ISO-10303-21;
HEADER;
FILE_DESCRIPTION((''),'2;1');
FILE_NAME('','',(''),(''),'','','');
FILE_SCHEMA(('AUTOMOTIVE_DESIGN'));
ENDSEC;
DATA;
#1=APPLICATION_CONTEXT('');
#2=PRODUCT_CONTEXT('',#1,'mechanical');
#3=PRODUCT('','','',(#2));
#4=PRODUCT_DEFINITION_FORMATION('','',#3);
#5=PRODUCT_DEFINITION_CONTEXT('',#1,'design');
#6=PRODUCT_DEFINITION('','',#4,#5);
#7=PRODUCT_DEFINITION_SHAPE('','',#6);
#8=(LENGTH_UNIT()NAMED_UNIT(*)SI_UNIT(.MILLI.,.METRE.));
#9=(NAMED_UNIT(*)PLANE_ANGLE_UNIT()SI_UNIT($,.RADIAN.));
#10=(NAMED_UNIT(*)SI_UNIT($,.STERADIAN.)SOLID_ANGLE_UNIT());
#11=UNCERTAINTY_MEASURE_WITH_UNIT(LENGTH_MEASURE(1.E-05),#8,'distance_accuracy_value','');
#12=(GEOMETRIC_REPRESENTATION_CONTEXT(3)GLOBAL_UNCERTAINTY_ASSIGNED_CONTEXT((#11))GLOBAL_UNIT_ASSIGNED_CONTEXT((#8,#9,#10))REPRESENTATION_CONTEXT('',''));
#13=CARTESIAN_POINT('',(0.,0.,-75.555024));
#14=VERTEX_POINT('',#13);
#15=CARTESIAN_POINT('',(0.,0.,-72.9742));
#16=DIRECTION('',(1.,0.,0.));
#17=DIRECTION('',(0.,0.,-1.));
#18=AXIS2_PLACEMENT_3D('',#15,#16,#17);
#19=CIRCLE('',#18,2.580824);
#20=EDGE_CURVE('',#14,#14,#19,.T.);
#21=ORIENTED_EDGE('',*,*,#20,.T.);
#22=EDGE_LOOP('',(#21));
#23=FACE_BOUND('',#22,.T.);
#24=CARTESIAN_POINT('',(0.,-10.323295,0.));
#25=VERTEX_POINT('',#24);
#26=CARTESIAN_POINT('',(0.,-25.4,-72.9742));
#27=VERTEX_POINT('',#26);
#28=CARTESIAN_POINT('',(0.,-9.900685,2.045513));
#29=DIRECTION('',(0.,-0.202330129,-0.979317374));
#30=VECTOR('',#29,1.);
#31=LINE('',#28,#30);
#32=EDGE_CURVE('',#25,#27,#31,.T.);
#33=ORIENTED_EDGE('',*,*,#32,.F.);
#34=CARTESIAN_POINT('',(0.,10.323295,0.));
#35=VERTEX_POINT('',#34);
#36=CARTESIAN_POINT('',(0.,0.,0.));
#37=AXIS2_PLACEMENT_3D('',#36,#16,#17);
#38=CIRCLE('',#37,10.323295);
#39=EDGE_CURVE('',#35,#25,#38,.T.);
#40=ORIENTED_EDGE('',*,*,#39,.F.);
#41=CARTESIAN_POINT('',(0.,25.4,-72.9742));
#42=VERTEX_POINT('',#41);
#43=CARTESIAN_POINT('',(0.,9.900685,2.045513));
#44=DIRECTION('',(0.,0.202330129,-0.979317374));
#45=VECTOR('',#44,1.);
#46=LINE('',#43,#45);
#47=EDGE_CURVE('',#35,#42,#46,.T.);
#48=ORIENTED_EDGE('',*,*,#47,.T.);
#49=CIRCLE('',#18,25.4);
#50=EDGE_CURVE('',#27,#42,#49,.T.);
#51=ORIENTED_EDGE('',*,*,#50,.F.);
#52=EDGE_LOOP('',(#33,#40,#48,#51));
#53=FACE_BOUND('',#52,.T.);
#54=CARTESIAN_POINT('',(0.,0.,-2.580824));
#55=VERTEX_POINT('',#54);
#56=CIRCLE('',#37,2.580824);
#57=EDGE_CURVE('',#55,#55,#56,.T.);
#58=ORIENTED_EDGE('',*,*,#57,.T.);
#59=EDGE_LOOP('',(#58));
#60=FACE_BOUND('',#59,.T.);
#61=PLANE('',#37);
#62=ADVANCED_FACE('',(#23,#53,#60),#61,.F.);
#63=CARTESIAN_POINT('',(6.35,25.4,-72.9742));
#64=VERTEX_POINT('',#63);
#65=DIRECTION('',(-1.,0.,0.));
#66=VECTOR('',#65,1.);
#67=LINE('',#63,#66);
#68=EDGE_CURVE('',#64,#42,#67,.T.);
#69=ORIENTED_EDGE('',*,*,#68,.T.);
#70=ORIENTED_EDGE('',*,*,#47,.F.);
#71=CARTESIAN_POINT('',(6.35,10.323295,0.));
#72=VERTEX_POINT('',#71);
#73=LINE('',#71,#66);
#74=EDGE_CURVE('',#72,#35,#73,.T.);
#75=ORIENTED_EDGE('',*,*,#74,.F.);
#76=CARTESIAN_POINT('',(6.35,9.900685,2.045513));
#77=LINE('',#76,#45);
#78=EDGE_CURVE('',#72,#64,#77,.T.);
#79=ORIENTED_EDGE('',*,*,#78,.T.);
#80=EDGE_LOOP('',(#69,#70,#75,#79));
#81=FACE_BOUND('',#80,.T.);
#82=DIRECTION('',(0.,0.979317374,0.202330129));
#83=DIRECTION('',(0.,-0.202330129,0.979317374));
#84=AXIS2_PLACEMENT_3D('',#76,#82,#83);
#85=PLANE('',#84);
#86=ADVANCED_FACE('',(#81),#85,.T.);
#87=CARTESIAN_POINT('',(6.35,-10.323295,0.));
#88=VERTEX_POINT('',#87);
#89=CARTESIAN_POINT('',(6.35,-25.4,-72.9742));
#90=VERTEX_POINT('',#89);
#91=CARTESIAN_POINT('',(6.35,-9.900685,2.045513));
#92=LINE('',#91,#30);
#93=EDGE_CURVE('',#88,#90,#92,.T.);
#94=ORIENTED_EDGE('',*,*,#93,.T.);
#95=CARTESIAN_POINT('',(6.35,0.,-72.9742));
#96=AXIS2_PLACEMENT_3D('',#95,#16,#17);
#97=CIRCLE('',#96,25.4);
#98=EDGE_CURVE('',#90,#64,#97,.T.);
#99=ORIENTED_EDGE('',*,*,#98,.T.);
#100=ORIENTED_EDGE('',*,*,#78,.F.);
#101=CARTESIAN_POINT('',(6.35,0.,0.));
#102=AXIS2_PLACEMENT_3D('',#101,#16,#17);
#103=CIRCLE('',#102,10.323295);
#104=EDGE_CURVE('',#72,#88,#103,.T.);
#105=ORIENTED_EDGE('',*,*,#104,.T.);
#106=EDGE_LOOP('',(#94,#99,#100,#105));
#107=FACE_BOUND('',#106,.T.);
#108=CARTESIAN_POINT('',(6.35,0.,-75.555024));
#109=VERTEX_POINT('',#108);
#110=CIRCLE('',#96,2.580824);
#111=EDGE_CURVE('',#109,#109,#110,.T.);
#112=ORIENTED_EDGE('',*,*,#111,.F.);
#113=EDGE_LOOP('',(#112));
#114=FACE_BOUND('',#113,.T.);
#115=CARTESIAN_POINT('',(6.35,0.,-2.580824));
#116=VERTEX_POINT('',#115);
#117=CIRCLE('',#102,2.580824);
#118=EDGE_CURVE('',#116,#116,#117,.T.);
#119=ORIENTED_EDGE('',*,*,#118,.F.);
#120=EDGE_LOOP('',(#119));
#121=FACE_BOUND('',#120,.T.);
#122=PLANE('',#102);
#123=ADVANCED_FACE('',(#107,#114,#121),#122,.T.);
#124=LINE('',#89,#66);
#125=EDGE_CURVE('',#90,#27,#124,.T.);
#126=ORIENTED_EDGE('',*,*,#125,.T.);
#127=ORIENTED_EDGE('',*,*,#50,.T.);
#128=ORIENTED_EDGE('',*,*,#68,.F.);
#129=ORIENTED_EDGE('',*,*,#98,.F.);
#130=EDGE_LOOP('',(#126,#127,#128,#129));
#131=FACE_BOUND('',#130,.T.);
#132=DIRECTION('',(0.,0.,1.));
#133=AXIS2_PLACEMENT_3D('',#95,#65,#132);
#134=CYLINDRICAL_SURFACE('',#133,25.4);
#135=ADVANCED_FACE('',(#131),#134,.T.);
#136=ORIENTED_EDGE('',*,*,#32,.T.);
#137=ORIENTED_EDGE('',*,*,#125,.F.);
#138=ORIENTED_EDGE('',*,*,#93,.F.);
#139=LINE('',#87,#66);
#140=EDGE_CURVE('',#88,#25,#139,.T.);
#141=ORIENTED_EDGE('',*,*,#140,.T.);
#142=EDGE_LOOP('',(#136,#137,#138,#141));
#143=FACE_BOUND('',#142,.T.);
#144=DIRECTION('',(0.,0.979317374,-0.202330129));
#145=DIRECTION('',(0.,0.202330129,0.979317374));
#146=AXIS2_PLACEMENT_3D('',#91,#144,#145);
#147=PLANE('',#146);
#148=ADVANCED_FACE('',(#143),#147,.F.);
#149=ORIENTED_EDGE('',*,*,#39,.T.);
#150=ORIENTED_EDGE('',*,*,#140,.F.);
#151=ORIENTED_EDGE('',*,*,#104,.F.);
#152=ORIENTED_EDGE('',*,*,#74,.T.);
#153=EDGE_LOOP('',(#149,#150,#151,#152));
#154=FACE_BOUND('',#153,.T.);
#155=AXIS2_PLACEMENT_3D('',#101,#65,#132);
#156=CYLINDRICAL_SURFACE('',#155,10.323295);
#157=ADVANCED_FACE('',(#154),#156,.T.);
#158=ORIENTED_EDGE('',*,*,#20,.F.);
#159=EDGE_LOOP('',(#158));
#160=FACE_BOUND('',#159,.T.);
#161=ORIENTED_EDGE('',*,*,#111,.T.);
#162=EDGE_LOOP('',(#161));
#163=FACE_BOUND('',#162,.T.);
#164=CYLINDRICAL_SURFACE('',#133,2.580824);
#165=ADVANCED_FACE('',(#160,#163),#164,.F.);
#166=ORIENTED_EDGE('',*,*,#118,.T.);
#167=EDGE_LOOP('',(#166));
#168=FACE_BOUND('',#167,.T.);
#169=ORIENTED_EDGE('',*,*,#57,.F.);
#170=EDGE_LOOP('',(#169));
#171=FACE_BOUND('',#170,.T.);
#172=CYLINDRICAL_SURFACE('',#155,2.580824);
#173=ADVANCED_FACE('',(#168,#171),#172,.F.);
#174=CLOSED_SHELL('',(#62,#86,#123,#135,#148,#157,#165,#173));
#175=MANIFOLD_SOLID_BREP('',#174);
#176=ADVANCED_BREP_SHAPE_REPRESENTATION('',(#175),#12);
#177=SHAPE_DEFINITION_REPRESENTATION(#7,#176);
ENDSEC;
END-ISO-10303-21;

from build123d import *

# Parameters (mm, degrees)
SKETCH1_R           = 2.580823706
BOSS_EXTRUDE1_DEPTH = 6.35


with BuildPart() as part:
    # Sketch1 → Boss-Extrude1 (new body)
    with BuildSketch(Plane(origin=(0, 0, 0), x_dir=(0, 0, -1), z_dir=(1, 0, 0))):
        with BuildLine():
            ThreePointArc((0, 10.323294823), (-10.323294823, 0), (0, -10.323294823))
            Line((0, -10.323294823), (72.9742, -25.4))
            ThreePointArc((72.9742, -25.4), (98.3742, 0), (72.9742, 25.4))
            Line((72.9742, 25.4), (0, 10.323294823))
        make_face()
        Circle(SKETCH1_R, mode=Mode.SUBTRACT)
        with Locations((72.9742, 0)):
            Circle(SKETCH1_R, mode=Mode.SUBTRACT)
    extrude(amount=BOSS_EXTRUDE1_DEPTH)


solid = part.part
